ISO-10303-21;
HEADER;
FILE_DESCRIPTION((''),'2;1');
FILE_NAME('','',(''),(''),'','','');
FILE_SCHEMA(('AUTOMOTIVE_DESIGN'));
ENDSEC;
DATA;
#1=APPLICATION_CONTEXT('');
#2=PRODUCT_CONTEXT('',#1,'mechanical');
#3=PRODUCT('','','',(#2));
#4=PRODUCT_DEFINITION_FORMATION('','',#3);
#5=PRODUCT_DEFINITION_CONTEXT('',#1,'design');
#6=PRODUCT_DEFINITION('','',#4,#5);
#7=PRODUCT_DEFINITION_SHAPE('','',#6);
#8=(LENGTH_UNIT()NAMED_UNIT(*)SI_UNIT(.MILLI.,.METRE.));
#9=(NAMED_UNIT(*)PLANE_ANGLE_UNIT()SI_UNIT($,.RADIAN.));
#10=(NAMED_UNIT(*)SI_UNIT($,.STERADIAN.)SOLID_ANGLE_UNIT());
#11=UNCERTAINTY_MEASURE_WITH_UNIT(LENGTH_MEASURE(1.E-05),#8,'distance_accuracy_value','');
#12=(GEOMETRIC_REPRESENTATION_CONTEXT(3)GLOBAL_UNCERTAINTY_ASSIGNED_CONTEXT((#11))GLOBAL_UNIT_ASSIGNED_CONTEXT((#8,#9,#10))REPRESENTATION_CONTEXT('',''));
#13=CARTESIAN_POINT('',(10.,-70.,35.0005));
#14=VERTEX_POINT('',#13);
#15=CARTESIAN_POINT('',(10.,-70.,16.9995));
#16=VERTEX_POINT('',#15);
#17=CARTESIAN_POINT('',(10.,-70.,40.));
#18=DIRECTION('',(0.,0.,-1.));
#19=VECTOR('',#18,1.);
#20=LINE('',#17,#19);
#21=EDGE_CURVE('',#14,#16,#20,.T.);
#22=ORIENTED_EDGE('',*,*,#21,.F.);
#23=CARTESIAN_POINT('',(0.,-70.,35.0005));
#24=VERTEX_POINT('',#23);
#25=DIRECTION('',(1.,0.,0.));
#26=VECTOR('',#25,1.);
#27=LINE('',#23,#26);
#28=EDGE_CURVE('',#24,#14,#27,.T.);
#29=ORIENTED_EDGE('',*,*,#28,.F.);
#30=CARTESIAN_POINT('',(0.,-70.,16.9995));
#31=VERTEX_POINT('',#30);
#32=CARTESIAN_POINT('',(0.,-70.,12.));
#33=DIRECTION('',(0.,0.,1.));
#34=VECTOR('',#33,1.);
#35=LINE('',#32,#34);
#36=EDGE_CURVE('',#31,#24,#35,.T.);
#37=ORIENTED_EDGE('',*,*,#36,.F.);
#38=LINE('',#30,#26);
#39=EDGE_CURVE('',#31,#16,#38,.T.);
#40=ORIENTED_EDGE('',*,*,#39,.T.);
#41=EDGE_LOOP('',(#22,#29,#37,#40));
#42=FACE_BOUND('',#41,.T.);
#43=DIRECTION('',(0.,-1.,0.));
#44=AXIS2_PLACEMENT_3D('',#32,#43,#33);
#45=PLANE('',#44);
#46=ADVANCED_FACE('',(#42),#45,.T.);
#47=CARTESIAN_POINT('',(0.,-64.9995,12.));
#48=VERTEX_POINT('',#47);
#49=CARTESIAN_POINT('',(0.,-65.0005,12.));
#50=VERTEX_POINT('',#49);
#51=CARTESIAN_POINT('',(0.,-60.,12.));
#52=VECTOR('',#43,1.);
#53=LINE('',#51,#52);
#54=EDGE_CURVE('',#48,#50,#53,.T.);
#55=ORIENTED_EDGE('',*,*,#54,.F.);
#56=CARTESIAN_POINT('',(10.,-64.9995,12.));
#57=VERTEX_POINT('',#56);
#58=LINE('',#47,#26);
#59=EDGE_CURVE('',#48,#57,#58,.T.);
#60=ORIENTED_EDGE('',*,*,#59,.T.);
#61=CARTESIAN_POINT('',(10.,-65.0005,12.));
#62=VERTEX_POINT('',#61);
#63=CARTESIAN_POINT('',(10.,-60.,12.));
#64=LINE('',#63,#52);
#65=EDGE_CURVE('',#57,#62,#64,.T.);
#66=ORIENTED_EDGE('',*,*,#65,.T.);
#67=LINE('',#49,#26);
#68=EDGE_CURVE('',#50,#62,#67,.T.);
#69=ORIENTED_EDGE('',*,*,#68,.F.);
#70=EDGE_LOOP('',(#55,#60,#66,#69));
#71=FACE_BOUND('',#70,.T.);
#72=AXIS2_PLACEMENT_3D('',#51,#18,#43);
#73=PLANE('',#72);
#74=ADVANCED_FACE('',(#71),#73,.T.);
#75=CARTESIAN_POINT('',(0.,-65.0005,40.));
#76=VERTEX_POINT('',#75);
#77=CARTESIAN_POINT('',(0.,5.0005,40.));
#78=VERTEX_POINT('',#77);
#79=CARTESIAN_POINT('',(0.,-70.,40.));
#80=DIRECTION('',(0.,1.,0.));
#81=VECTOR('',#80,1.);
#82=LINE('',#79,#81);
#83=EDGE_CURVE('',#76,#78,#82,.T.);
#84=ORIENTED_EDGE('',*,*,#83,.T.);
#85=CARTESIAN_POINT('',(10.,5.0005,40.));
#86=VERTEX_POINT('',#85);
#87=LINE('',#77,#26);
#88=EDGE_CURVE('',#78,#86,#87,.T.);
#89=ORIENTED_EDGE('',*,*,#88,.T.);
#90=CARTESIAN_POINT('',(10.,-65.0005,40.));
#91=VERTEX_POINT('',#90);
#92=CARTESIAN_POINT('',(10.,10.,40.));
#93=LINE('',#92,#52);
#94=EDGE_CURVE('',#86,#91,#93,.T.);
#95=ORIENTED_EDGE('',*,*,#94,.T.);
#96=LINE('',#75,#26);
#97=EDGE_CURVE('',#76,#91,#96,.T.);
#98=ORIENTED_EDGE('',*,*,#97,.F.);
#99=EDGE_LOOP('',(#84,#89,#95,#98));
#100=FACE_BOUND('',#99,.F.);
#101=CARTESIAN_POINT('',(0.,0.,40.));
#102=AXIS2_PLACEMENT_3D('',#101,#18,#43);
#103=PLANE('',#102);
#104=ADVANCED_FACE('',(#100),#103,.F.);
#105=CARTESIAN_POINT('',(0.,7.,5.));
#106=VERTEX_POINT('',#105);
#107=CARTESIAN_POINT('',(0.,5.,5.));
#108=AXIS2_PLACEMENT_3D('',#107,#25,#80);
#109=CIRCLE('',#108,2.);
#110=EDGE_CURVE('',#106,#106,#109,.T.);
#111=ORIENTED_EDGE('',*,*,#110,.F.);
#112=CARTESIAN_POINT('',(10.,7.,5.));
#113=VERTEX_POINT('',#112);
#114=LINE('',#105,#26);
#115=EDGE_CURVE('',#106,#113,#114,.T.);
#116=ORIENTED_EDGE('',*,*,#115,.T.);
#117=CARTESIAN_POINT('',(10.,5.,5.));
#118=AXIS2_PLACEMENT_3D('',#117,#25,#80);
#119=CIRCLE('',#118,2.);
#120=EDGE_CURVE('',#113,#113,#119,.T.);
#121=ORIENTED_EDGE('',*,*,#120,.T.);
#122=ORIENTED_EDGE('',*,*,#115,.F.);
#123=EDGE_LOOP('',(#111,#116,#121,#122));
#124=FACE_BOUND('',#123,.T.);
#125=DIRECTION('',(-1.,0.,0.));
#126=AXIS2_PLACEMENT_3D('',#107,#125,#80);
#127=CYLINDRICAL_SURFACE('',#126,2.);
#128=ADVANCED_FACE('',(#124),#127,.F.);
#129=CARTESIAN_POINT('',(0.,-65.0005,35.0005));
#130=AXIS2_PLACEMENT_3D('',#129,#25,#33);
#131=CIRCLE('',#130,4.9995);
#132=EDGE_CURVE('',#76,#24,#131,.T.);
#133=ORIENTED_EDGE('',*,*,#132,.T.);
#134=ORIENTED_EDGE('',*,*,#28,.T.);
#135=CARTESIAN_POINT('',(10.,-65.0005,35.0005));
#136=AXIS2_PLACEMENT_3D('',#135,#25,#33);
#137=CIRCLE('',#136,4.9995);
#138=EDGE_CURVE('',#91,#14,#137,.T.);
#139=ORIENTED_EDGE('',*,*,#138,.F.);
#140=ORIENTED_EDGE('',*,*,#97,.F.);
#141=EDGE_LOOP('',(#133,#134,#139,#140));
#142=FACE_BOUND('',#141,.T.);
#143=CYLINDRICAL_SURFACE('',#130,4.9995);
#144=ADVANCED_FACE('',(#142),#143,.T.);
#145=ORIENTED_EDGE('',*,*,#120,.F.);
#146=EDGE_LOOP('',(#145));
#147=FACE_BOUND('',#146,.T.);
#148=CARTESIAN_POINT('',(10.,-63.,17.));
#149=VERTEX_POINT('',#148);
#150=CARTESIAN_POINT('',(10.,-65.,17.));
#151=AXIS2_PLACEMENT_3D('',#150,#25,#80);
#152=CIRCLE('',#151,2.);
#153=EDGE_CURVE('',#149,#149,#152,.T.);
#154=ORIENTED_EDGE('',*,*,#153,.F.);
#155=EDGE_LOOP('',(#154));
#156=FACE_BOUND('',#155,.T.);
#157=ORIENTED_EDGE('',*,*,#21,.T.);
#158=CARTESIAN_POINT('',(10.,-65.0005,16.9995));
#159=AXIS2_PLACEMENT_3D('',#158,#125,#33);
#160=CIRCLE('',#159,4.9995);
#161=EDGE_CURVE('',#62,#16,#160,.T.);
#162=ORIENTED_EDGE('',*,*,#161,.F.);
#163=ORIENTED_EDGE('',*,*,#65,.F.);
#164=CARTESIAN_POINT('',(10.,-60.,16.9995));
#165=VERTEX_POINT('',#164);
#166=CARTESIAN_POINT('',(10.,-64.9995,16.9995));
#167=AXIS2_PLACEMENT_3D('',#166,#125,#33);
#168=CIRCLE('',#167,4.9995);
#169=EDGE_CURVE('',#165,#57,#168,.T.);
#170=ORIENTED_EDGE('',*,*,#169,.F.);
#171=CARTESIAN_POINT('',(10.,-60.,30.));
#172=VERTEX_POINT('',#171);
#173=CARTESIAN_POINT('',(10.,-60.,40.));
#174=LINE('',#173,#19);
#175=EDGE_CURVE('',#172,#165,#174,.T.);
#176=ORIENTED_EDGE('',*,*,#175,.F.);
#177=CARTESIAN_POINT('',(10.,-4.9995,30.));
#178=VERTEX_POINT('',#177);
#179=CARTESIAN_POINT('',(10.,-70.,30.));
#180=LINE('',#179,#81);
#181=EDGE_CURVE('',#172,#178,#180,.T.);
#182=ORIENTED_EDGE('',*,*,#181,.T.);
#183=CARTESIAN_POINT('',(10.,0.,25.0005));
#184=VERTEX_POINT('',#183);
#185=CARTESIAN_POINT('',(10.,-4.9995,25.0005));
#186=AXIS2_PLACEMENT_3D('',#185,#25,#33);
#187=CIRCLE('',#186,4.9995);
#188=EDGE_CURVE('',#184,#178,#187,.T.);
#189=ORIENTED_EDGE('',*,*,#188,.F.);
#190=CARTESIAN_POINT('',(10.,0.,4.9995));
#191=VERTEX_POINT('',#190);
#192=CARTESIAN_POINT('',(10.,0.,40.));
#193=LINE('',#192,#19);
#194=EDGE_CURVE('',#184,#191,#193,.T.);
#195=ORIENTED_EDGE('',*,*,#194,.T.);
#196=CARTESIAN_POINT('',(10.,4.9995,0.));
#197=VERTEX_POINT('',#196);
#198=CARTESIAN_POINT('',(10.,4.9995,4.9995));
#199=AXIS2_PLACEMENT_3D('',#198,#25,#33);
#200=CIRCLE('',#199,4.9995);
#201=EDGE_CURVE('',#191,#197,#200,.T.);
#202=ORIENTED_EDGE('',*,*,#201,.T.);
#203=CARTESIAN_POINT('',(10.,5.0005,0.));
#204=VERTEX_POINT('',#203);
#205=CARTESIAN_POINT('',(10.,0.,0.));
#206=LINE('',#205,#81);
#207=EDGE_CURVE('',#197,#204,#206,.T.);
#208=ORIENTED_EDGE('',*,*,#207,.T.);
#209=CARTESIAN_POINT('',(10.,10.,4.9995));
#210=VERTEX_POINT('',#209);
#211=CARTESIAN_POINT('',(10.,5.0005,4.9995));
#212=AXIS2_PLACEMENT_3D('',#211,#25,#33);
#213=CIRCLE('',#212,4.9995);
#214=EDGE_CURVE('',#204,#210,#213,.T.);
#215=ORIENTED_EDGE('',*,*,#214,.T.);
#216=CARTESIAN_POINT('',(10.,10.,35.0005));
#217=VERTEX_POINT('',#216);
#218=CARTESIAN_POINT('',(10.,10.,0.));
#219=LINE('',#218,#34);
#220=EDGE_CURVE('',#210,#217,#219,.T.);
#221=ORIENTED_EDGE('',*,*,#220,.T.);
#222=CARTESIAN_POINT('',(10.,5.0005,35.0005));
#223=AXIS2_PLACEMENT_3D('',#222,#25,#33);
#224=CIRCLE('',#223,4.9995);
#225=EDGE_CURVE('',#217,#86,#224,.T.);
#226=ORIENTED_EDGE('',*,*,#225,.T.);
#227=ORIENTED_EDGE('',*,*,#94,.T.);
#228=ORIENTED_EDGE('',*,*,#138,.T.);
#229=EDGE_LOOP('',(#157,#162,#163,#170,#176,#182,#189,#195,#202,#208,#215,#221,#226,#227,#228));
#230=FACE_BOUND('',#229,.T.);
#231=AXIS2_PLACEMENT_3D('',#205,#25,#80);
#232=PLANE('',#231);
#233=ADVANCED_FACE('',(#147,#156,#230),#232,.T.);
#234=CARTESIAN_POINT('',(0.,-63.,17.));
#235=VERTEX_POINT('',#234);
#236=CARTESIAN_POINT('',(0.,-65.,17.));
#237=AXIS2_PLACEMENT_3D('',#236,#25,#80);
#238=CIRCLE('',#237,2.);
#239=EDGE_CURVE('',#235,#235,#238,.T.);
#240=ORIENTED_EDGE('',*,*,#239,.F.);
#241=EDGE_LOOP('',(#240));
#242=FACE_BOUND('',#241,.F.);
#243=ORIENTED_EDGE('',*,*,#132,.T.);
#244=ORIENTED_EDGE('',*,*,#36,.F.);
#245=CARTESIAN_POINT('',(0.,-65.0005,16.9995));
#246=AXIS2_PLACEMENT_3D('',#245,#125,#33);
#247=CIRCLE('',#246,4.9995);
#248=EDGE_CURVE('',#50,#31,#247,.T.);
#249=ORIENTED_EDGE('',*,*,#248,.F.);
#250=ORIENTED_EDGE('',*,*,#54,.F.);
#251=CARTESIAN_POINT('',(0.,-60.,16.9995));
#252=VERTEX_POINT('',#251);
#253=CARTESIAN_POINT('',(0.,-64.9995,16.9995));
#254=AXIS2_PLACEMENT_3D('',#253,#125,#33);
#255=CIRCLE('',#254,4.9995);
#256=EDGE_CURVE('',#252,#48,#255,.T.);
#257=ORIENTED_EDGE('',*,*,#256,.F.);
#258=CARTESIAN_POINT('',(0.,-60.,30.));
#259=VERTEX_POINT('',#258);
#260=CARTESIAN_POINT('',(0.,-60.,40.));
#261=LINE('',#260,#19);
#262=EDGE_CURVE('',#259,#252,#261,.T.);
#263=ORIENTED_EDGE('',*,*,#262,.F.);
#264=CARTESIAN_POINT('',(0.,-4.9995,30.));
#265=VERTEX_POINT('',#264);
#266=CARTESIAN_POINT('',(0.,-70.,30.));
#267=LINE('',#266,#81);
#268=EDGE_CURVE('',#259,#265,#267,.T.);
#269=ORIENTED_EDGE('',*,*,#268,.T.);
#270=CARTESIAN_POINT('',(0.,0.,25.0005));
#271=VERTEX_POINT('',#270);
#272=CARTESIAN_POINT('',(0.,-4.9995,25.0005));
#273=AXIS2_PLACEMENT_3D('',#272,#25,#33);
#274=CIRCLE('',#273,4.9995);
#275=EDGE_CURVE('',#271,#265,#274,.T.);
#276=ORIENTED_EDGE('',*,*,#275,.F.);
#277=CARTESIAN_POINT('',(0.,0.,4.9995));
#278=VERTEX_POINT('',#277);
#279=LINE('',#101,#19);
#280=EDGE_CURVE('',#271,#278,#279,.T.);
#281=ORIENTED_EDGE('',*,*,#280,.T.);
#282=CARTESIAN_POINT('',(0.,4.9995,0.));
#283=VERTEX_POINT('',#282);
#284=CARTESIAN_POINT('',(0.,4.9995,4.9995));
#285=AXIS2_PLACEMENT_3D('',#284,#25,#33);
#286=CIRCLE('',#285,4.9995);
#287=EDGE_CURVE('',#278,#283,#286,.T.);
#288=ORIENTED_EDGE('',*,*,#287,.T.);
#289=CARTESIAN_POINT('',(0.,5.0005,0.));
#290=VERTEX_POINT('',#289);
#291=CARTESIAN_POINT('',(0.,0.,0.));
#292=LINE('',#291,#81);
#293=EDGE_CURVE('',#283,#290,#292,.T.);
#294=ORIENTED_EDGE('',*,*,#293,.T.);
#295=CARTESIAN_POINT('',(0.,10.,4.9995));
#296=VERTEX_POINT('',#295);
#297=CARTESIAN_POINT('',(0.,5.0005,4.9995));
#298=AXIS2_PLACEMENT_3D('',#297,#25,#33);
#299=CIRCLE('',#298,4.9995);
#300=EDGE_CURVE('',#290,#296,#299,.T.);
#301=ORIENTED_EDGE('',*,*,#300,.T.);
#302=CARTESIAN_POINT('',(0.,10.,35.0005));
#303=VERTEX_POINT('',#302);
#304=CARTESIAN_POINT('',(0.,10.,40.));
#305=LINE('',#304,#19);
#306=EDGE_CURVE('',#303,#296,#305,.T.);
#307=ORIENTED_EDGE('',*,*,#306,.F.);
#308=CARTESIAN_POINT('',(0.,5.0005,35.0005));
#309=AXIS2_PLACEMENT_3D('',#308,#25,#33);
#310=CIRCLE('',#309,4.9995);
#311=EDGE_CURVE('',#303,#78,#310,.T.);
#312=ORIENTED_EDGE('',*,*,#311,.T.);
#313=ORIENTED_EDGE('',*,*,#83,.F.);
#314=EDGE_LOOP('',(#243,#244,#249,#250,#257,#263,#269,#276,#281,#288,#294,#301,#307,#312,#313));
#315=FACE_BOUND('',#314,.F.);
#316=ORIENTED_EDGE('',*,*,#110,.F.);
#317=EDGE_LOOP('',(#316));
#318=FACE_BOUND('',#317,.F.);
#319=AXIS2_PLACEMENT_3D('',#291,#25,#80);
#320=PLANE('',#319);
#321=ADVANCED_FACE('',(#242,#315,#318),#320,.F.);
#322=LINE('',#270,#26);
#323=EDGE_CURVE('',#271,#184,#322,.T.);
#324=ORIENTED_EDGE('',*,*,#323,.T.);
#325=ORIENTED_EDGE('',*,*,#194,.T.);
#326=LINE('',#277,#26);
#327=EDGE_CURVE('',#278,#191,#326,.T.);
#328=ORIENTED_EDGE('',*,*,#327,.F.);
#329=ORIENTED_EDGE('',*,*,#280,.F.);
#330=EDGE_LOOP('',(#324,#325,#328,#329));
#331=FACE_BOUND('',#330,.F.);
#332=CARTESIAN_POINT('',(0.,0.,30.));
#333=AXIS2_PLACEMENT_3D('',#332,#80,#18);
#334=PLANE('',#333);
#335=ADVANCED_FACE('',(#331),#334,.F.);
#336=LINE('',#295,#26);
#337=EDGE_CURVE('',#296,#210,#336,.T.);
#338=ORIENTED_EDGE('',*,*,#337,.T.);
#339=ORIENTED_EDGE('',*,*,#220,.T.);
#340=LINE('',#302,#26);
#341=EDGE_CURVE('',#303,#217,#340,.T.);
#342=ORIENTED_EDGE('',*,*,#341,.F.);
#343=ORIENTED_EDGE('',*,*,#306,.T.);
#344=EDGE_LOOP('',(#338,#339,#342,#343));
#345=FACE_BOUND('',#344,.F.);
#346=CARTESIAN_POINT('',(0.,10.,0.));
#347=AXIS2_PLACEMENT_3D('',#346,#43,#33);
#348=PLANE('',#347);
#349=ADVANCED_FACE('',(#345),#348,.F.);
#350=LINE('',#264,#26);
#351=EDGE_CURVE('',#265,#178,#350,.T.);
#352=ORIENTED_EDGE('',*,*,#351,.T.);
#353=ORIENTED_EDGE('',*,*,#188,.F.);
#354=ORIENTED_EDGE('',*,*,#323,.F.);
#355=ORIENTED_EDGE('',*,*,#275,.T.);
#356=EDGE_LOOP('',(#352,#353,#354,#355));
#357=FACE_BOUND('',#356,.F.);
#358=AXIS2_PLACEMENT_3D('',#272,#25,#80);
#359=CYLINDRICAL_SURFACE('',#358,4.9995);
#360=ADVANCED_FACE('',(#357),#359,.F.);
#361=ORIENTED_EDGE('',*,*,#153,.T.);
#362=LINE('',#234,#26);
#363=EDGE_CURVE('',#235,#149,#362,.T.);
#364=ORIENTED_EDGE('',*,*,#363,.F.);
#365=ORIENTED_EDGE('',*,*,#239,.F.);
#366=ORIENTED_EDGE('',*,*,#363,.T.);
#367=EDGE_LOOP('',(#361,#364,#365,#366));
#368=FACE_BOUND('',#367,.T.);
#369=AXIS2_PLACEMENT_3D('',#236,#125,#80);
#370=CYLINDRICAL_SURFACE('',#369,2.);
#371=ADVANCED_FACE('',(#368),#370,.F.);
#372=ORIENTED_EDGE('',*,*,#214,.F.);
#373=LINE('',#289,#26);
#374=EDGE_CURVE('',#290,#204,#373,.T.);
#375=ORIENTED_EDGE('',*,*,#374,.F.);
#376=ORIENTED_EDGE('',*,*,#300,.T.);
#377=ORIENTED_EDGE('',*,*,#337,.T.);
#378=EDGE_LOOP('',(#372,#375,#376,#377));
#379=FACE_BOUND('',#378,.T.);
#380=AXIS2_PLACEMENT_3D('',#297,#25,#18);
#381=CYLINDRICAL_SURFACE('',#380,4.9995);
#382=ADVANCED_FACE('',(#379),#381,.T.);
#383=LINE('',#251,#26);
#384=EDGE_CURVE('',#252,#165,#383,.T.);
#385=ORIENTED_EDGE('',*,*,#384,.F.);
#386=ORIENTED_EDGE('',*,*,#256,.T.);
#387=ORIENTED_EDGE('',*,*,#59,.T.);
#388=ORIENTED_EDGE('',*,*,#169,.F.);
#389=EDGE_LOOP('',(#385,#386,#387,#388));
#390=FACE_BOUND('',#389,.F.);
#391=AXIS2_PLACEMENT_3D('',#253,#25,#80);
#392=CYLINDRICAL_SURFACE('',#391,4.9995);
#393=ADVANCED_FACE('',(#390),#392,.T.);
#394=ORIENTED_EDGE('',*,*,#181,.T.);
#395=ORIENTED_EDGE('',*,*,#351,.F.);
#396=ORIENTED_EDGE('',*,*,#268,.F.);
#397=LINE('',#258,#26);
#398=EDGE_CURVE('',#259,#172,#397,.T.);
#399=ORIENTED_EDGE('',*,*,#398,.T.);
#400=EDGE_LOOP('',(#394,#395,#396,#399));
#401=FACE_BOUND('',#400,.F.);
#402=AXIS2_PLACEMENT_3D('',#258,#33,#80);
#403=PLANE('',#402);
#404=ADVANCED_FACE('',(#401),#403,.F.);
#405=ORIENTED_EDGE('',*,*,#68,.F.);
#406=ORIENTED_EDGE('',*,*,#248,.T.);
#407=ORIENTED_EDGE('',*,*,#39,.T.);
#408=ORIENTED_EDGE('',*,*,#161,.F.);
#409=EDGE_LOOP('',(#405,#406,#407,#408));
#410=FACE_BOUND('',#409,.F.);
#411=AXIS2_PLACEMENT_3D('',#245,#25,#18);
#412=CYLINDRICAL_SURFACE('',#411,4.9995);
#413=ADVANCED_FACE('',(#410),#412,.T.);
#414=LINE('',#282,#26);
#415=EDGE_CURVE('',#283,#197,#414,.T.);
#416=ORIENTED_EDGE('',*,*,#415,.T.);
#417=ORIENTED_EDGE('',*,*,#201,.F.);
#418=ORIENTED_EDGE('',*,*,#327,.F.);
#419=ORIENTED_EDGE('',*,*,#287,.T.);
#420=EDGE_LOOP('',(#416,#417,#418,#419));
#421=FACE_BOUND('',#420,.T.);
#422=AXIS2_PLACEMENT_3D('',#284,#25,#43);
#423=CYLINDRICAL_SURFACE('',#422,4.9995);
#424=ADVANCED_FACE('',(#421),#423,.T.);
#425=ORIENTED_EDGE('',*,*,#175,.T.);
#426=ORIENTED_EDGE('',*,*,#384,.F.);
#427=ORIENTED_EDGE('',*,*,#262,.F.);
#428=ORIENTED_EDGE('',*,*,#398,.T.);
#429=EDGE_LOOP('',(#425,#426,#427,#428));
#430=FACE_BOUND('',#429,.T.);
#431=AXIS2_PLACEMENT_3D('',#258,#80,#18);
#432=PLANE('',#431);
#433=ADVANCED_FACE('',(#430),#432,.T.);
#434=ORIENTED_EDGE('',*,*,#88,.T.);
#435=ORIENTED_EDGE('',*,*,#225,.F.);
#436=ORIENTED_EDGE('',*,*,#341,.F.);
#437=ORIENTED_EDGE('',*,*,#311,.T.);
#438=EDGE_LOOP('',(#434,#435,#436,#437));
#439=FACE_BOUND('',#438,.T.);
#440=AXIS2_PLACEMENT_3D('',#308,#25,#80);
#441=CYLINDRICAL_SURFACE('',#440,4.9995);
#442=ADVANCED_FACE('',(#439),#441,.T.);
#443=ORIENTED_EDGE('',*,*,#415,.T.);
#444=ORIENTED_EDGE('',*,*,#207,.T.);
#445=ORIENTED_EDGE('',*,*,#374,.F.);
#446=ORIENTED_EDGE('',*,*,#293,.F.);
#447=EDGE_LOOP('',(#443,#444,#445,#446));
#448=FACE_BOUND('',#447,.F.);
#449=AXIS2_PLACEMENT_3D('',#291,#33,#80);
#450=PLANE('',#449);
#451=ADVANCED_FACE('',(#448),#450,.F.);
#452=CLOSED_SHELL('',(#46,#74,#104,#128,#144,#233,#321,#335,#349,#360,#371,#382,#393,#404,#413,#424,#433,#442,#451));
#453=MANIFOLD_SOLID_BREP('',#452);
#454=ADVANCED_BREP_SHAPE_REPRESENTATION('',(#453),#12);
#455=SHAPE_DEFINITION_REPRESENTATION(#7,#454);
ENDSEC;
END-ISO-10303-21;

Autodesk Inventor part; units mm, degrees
ref_plane "YZ Plane" through (0, 0, 0) normal (1, 0, 0) x (0, 1, 0)
ref_plane "XZ Plane" through (0, 0, 0) normal (0, 1, 0) x (-1, 0, 0)
ref_plane "XY Plane" through (0, 0, 0) normal (0, 0, 1) x (1, 0, 0)
sketch "Эскиз1" plane through (0, 0, 0) normal (1, 0, 0) x (0, 1, 0)
  line L0 (0, 0) -> (10, 0)
  line L1 (10, 0) -> (10, 40)
  line L2 (10, 40) -> (0, 40)
  line L3 (0, 40) -> (0, 0)
  line L4 (10, 40) -> (-70, 40)
  line L5 (-70, 40) -> (-70, 30)
  line L6 (-70, 30) -> (10, 30)
  line L7 (10, 30) -> (10, 40)
  circle A0 centre (5, 5) radius 2
  line L8 (-70, 40) -> (-60, 40)
  line L9 (-60, 40) -> (-60, 12)
  line L10 (-60, 12) -> (-70, 12)
  line L11 (-70, 12) -> (-70, 40)
  circle A1 centre (-65, 17) radius 2
  point P0 (5, 0)
  point P1 (0, 40)
  point P2 (0, 30)
  point P3 (-70, 35)
  point P4 (-65, 12)
  point P5 (-60, 30)
  point P6 (-70, 30)
  dimension "d0" = 10
  dimension "d1" = 10
  dimension "d2" = 40
  dimension "d3" = 4
  dimension "d4" = 5
  dimension "d5" = 5
  dimension "d6" = 80
  dimension "d13" = 28
  dimension "d14" = 10
  dimension "d15" = 5
extrude "Выдавливание1" add sketch "Эскиз1" along normal blind 10
fillet "Сопряжение1" radius 5 7 edges at (5, 0, 30) (5, 10, 40) (5, 10, 0) (5, 0, 0) (5, -70, 40) (5, -60, 12) (5, -70, 12)
properties part number "колено для сервы"
